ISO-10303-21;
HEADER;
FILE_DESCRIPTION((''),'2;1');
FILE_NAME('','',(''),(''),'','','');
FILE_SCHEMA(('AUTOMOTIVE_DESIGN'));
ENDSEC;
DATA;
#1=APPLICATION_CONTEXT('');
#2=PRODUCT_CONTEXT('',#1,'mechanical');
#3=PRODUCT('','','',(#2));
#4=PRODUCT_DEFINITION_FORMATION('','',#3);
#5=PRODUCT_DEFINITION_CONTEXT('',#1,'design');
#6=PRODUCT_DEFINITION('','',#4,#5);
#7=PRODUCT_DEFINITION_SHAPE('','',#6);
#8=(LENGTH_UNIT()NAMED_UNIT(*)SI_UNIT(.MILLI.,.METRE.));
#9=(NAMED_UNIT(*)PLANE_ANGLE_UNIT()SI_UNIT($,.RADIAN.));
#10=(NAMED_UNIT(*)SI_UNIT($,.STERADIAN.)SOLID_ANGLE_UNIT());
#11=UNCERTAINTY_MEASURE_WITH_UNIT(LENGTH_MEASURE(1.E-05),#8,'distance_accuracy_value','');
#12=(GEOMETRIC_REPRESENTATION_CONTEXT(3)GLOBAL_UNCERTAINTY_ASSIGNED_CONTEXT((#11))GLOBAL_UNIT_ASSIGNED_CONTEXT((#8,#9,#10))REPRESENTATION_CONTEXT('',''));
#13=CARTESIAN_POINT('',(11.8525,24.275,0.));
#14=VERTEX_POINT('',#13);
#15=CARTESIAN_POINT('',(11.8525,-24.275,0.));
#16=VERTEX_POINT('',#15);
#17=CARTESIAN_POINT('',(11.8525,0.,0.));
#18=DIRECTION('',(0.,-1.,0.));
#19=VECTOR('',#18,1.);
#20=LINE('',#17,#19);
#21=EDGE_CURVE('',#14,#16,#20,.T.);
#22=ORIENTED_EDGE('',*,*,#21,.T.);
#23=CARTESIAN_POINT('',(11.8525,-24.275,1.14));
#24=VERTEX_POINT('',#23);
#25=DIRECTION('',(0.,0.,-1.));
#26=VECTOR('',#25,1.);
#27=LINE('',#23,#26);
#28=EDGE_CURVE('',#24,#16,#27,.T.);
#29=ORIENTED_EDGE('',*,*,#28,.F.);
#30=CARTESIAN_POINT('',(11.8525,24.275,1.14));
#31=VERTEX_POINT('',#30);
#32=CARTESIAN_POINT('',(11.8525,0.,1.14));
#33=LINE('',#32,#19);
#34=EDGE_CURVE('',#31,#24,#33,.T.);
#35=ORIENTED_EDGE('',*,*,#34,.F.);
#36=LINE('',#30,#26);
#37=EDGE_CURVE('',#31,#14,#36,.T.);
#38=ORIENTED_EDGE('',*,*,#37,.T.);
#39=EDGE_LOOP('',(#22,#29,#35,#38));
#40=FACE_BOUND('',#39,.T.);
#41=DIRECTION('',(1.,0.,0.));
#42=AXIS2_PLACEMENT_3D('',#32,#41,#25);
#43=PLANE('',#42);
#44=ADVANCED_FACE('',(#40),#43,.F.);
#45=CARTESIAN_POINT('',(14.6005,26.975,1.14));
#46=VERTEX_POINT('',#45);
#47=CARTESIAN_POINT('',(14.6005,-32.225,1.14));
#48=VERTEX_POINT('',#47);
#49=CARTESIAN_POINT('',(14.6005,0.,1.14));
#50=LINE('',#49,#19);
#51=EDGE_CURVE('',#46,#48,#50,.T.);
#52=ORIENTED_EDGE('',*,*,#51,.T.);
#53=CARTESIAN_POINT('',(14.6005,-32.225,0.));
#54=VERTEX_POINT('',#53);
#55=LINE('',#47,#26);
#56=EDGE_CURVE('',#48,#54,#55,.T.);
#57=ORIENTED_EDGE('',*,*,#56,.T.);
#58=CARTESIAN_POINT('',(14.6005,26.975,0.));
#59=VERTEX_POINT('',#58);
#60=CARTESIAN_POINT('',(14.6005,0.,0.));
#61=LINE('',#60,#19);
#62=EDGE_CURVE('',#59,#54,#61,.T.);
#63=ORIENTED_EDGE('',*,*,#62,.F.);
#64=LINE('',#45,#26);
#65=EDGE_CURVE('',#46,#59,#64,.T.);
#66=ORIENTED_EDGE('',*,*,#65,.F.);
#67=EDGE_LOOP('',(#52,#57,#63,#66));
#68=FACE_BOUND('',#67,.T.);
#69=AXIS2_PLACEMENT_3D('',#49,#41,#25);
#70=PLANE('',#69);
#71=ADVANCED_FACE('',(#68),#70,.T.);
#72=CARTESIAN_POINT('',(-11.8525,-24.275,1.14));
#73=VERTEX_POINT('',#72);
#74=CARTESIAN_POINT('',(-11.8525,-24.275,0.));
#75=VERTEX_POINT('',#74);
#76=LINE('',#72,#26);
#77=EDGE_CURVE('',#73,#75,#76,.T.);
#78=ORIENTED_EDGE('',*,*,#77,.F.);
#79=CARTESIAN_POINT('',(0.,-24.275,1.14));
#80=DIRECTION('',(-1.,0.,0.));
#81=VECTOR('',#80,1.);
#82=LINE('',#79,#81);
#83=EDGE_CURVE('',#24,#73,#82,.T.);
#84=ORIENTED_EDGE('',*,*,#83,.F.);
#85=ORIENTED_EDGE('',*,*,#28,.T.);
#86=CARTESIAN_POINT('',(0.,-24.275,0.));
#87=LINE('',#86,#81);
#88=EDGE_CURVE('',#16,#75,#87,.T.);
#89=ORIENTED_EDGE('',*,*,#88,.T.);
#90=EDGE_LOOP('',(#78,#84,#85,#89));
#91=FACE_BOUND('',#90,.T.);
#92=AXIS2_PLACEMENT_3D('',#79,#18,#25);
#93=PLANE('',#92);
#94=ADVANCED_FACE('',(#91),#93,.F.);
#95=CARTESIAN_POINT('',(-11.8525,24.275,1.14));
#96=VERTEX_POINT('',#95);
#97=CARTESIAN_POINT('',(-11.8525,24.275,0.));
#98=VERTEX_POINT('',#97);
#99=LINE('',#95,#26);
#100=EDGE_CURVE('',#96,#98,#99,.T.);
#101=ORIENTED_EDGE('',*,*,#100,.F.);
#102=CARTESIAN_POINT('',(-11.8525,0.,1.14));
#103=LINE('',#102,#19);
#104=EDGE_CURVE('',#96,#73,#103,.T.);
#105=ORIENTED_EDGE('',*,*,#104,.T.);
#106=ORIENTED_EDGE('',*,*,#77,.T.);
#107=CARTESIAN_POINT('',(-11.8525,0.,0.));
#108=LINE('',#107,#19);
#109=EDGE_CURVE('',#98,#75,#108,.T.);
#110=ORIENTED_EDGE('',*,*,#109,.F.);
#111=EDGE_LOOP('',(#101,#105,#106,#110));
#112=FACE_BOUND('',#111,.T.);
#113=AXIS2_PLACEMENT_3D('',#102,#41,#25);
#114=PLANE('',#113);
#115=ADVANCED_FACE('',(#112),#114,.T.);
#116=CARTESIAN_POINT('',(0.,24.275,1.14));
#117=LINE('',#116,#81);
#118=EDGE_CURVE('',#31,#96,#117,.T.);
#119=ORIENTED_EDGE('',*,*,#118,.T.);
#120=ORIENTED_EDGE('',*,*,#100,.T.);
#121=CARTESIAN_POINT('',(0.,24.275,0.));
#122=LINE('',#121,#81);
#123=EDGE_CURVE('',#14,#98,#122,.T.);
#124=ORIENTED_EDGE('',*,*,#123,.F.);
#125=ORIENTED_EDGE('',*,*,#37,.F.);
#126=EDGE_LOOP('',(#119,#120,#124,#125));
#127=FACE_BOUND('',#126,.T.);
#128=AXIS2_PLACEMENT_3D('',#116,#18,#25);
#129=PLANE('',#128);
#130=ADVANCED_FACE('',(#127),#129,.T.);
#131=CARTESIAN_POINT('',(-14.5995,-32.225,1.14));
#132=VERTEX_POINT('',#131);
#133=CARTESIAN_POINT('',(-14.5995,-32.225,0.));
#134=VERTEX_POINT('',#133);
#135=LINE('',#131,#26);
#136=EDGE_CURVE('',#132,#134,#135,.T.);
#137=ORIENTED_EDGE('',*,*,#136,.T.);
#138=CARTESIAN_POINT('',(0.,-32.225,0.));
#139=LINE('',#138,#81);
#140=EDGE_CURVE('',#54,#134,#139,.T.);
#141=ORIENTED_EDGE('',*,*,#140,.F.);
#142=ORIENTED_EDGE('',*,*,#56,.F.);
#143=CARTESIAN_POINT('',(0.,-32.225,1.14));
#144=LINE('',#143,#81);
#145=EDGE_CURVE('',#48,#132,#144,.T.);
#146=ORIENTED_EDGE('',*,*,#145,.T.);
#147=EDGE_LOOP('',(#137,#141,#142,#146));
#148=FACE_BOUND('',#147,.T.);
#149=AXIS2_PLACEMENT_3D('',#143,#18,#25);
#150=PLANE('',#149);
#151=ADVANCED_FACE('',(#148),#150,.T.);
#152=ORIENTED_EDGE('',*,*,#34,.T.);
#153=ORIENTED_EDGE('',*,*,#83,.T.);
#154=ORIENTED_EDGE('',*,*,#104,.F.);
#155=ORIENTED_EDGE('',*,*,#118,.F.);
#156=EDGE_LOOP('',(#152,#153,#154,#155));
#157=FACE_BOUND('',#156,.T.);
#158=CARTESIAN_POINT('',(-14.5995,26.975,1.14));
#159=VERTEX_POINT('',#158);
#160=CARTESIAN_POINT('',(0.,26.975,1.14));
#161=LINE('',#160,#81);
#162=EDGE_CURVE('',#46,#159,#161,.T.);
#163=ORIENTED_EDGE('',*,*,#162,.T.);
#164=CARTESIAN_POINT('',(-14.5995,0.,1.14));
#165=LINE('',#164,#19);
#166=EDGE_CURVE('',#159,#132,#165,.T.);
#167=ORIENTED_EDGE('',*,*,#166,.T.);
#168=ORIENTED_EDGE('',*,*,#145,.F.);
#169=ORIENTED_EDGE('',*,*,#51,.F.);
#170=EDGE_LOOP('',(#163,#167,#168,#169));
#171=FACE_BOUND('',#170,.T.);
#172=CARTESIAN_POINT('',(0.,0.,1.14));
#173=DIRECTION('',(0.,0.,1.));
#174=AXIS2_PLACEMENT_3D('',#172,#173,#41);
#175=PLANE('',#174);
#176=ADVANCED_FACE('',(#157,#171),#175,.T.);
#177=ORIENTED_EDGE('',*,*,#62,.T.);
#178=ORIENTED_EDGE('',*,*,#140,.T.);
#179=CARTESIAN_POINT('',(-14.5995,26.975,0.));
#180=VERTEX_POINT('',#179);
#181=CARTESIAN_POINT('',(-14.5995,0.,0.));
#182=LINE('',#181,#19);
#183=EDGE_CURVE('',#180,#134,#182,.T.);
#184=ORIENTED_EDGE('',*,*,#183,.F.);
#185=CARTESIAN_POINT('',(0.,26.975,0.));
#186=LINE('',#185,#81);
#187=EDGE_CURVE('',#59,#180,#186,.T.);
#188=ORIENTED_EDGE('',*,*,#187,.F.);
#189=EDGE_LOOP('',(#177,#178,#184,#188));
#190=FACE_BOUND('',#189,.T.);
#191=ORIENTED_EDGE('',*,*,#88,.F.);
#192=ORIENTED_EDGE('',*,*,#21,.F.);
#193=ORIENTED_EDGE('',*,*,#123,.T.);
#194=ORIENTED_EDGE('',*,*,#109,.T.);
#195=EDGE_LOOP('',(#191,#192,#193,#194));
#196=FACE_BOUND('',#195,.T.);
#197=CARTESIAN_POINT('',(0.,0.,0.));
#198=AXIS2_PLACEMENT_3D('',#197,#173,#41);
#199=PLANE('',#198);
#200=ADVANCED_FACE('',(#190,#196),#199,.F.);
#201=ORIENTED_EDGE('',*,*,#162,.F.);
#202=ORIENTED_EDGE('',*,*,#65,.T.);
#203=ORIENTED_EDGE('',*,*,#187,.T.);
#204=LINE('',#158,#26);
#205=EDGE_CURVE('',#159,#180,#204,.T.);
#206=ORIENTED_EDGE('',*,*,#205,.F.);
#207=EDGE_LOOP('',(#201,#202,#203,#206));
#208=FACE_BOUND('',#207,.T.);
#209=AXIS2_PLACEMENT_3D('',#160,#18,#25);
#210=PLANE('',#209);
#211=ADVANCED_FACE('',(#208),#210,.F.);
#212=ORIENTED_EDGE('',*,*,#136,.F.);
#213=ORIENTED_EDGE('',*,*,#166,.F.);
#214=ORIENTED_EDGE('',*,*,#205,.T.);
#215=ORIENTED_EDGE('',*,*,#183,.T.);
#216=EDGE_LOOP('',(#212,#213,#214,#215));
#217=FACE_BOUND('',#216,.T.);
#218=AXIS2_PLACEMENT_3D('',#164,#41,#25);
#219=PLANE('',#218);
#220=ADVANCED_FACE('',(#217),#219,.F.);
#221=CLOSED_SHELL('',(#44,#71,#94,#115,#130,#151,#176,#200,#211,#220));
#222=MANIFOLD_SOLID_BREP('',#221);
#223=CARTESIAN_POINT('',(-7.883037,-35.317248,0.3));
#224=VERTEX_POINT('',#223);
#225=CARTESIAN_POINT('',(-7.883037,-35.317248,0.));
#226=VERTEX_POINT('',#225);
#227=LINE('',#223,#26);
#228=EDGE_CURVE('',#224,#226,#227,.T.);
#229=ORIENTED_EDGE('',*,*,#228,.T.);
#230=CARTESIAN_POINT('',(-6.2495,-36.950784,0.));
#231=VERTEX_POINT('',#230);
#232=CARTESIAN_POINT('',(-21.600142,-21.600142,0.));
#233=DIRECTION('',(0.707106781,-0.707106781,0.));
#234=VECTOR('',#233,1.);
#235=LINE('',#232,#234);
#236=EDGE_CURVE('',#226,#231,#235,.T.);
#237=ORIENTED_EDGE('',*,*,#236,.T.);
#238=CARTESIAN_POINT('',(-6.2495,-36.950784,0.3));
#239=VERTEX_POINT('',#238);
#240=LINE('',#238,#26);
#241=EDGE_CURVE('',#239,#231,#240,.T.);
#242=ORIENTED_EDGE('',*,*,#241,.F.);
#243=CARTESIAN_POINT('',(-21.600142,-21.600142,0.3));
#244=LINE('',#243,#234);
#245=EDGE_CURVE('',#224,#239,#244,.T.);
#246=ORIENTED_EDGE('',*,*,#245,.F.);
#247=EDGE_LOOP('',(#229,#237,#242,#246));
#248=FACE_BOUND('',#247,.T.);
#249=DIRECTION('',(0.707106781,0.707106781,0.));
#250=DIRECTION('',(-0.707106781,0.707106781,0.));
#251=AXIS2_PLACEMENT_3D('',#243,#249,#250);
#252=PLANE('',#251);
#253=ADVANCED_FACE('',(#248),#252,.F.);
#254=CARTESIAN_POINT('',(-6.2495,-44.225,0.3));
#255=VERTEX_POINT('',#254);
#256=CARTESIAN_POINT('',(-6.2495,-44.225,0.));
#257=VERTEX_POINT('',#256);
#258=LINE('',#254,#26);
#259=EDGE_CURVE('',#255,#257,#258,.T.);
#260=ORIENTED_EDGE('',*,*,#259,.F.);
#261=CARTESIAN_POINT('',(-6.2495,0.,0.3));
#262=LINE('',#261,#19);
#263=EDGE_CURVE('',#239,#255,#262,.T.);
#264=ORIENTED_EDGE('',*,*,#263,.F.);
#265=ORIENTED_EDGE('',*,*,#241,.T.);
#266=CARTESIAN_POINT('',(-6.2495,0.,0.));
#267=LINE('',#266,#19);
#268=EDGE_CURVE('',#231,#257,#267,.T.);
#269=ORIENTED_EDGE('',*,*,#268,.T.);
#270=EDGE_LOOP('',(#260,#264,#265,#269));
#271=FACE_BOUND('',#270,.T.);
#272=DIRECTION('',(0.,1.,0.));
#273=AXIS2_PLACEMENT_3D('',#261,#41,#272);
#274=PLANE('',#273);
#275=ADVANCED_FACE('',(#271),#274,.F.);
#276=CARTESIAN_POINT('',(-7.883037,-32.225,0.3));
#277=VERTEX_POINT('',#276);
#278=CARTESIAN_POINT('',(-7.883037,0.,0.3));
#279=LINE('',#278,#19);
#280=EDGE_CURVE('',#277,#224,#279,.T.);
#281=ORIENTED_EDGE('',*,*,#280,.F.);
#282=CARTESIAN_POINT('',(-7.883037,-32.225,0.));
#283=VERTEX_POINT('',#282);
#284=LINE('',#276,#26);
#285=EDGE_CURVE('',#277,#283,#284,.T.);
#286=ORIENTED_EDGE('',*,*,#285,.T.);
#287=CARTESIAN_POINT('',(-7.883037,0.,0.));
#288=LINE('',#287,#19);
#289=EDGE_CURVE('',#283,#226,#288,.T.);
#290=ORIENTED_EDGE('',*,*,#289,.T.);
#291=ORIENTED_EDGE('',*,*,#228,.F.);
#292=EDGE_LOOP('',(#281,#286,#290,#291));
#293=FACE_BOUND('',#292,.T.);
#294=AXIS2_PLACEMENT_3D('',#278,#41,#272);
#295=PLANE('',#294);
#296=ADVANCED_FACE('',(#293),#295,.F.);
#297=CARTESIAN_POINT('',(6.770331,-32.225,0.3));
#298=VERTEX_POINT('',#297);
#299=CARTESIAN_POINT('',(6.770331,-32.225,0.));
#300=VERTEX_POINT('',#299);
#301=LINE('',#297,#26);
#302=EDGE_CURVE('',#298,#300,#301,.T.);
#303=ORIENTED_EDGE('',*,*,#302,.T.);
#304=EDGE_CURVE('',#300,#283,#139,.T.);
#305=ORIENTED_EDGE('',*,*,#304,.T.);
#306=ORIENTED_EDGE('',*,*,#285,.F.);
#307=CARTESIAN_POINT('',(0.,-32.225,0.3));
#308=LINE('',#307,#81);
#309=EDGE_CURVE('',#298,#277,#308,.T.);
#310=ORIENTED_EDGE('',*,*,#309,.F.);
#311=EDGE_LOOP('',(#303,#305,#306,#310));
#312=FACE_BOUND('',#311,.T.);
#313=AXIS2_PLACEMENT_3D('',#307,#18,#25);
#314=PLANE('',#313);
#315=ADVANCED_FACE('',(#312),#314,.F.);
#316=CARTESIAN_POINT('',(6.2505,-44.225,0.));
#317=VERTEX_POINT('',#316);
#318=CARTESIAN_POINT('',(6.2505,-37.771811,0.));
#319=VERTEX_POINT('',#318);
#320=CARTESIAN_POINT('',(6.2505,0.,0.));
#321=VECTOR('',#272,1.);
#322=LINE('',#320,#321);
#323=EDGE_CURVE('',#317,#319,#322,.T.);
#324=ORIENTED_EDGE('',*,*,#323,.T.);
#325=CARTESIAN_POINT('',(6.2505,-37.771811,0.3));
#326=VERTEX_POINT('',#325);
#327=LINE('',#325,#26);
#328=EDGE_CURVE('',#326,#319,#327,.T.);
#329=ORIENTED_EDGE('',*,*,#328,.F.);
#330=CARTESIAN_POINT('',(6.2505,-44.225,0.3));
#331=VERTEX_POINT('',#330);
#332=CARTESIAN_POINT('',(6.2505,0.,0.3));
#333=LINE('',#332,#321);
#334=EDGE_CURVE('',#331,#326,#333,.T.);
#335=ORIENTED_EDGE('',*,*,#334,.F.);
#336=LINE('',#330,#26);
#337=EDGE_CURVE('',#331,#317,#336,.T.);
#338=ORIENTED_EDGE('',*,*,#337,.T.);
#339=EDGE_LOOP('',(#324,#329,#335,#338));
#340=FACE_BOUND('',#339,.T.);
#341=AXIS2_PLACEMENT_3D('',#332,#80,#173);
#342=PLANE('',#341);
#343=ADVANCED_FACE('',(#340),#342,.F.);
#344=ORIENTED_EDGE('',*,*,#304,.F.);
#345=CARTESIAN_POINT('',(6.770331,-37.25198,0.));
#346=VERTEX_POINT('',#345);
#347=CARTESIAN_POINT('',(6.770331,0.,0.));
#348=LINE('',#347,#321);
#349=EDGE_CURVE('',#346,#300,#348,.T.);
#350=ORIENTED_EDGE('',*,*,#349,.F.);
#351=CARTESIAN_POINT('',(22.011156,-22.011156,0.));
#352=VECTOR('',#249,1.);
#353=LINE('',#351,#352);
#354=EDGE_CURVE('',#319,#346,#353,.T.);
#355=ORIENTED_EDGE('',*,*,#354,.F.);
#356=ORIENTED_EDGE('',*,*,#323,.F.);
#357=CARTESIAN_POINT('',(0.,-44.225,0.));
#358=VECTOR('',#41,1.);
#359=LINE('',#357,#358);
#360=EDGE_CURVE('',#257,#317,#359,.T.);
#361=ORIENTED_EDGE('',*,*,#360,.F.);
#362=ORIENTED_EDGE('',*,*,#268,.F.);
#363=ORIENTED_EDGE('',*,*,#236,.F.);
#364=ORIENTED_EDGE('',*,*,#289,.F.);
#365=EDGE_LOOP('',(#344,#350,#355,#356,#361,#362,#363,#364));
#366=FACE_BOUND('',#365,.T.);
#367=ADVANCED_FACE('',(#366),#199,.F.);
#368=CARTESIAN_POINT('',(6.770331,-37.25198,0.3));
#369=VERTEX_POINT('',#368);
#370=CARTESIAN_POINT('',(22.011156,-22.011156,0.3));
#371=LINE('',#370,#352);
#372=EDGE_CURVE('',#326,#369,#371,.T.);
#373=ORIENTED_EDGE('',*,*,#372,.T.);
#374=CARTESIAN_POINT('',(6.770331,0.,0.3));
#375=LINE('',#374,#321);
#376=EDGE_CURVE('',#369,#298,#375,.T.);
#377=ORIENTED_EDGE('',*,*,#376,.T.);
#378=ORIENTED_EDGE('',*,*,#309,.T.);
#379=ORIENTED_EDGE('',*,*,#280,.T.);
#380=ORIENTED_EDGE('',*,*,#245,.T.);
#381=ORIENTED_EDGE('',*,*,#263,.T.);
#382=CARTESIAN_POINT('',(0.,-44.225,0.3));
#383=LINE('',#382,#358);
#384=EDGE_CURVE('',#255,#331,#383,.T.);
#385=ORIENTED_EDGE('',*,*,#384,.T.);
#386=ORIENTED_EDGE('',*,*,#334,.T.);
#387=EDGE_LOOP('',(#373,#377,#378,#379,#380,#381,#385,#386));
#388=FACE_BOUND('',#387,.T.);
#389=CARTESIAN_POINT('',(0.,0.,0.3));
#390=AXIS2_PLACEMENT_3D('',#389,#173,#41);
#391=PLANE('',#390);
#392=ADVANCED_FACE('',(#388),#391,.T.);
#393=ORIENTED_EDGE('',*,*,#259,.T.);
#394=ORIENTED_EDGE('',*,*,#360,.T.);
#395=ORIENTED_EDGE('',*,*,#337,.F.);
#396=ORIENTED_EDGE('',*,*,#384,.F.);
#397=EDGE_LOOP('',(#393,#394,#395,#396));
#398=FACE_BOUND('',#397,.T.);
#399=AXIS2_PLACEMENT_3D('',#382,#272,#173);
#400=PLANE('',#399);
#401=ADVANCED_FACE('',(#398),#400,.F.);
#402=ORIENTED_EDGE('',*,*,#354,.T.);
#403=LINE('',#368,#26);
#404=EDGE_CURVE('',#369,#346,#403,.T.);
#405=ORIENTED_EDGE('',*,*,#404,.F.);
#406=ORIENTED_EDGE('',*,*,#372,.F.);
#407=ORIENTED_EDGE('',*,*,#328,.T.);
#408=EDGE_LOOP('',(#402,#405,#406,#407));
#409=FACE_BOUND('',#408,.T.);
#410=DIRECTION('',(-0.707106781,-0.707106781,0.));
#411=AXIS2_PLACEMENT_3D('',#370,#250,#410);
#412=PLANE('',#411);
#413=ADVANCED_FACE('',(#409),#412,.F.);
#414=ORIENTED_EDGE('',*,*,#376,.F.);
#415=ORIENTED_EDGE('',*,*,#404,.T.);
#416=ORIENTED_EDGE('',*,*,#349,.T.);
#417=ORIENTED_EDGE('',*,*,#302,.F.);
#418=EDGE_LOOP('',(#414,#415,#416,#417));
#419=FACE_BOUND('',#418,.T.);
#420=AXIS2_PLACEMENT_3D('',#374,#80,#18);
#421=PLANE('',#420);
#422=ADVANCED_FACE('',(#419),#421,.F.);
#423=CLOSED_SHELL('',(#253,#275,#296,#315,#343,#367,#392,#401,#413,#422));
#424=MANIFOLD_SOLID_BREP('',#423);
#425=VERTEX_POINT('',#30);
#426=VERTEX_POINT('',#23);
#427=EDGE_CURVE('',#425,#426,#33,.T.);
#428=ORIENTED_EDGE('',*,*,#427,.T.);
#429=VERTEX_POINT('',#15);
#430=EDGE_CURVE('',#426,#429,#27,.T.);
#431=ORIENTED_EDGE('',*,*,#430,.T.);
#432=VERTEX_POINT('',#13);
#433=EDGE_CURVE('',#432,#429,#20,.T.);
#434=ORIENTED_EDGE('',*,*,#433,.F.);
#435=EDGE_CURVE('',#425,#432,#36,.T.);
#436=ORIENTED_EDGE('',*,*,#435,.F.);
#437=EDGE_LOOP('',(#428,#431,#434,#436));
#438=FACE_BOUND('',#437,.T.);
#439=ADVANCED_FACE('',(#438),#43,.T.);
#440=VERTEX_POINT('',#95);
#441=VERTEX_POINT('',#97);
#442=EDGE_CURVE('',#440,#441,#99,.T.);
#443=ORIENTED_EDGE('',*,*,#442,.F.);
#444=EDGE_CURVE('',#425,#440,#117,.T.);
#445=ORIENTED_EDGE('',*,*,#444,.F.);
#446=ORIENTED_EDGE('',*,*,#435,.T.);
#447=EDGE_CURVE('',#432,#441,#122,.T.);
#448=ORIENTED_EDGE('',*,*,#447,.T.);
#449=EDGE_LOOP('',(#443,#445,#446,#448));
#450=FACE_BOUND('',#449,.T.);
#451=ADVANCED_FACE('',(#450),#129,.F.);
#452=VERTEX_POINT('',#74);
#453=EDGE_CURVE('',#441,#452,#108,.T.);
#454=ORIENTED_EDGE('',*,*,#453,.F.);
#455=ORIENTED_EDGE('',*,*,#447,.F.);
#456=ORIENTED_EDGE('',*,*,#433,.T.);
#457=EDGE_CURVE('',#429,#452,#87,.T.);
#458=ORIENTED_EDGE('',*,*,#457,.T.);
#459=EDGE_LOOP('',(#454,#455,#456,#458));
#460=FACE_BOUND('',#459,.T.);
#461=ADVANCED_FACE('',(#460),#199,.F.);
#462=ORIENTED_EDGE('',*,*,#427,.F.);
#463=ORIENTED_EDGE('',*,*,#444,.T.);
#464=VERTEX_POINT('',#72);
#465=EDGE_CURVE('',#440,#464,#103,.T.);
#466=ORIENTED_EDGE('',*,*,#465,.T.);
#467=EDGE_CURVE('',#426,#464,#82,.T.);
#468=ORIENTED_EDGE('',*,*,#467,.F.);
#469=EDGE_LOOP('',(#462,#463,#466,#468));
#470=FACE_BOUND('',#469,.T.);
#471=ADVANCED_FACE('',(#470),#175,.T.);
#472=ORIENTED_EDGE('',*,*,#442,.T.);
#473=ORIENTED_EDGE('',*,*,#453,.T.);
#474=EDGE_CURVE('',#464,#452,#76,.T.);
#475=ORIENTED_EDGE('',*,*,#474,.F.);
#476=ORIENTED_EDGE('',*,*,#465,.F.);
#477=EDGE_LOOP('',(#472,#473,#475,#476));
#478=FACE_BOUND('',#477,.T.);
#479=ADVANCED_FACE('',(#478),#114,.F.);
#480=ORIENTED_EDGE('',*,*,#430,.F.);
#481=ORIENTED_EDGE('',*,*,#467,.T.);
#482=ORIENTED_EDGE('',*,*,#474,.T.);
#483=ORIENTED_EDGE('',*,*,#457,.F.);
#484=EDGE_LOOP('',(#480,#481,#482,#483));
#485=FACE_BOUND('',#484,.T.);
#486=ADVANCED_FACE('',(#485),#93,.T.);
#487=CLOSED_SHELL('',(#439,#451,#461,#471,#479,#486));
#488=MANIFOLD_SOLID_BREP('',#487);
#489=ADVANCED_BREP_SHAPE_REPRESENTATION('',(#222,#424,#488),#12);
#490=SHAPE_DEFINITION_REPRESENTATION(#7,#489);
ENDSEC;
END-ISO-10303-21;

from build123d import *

# Parameters (mm, degrees)
SKETCH1_W           = 23.705
SKETCH1_H           = 48.55
BOSS_EXTRUDE1_DEPTH = 1.14
SKETCH1_3_W         = 23.705
SKETCH1_3_H         = 48.55
BOSS_EXTRUDE2_DEPTH = 1.14
BOSS_EXTRUDE3_DEPTH = 0.3


with BuildPart() as part:
    # Sketch1 → Boss-Extrude1 (new body)
    with BuildSketch(Plane.XY):
        Rectangle(SKETCH1_W, SKETCH1_H)
    extrude(amount=BOSS_EXTRUDE1_DEPTH)


with BuildPart() as body_2:
    # Sketch1<3> → Boss-Extrude2 (new body)
    with BuildSketch(Plane.XY):
        Polygon((-14.5995, -32.225), (-7.883036535, -32.225), (6.770331425, -32.225), (14.6005, -32.225), (14.6005, 26.975), (-14.5995, 26.975), align=None)
        Rectangle(SKETCH1_3_W, SKETCH1_3_H, mode=Mode.SUBTRACT)
    extrude(amount=BOSS_EXTRUDE2_DEPTH)


with BuildPart() as body_3:
    # Sketch1<4> → Boss-Extrude3 (new body)
    with BuildSketch(Plane.XY):
        Polygon((6.770331425, -32.225), (-7.883036535, -32.225), (-7.883036535, -35.317247683), (-6.2495, -36.950784218), (-6.2495, -44.225), (6.2505, -44.225), (6.2505, -37.771811116), (6.770331425, -37.251979691), align=None)
    extrude(amount=BOSS_EXTRUDE3_DEPTH)


solid = Compound([part.part, body_2.part, body_3.part])
